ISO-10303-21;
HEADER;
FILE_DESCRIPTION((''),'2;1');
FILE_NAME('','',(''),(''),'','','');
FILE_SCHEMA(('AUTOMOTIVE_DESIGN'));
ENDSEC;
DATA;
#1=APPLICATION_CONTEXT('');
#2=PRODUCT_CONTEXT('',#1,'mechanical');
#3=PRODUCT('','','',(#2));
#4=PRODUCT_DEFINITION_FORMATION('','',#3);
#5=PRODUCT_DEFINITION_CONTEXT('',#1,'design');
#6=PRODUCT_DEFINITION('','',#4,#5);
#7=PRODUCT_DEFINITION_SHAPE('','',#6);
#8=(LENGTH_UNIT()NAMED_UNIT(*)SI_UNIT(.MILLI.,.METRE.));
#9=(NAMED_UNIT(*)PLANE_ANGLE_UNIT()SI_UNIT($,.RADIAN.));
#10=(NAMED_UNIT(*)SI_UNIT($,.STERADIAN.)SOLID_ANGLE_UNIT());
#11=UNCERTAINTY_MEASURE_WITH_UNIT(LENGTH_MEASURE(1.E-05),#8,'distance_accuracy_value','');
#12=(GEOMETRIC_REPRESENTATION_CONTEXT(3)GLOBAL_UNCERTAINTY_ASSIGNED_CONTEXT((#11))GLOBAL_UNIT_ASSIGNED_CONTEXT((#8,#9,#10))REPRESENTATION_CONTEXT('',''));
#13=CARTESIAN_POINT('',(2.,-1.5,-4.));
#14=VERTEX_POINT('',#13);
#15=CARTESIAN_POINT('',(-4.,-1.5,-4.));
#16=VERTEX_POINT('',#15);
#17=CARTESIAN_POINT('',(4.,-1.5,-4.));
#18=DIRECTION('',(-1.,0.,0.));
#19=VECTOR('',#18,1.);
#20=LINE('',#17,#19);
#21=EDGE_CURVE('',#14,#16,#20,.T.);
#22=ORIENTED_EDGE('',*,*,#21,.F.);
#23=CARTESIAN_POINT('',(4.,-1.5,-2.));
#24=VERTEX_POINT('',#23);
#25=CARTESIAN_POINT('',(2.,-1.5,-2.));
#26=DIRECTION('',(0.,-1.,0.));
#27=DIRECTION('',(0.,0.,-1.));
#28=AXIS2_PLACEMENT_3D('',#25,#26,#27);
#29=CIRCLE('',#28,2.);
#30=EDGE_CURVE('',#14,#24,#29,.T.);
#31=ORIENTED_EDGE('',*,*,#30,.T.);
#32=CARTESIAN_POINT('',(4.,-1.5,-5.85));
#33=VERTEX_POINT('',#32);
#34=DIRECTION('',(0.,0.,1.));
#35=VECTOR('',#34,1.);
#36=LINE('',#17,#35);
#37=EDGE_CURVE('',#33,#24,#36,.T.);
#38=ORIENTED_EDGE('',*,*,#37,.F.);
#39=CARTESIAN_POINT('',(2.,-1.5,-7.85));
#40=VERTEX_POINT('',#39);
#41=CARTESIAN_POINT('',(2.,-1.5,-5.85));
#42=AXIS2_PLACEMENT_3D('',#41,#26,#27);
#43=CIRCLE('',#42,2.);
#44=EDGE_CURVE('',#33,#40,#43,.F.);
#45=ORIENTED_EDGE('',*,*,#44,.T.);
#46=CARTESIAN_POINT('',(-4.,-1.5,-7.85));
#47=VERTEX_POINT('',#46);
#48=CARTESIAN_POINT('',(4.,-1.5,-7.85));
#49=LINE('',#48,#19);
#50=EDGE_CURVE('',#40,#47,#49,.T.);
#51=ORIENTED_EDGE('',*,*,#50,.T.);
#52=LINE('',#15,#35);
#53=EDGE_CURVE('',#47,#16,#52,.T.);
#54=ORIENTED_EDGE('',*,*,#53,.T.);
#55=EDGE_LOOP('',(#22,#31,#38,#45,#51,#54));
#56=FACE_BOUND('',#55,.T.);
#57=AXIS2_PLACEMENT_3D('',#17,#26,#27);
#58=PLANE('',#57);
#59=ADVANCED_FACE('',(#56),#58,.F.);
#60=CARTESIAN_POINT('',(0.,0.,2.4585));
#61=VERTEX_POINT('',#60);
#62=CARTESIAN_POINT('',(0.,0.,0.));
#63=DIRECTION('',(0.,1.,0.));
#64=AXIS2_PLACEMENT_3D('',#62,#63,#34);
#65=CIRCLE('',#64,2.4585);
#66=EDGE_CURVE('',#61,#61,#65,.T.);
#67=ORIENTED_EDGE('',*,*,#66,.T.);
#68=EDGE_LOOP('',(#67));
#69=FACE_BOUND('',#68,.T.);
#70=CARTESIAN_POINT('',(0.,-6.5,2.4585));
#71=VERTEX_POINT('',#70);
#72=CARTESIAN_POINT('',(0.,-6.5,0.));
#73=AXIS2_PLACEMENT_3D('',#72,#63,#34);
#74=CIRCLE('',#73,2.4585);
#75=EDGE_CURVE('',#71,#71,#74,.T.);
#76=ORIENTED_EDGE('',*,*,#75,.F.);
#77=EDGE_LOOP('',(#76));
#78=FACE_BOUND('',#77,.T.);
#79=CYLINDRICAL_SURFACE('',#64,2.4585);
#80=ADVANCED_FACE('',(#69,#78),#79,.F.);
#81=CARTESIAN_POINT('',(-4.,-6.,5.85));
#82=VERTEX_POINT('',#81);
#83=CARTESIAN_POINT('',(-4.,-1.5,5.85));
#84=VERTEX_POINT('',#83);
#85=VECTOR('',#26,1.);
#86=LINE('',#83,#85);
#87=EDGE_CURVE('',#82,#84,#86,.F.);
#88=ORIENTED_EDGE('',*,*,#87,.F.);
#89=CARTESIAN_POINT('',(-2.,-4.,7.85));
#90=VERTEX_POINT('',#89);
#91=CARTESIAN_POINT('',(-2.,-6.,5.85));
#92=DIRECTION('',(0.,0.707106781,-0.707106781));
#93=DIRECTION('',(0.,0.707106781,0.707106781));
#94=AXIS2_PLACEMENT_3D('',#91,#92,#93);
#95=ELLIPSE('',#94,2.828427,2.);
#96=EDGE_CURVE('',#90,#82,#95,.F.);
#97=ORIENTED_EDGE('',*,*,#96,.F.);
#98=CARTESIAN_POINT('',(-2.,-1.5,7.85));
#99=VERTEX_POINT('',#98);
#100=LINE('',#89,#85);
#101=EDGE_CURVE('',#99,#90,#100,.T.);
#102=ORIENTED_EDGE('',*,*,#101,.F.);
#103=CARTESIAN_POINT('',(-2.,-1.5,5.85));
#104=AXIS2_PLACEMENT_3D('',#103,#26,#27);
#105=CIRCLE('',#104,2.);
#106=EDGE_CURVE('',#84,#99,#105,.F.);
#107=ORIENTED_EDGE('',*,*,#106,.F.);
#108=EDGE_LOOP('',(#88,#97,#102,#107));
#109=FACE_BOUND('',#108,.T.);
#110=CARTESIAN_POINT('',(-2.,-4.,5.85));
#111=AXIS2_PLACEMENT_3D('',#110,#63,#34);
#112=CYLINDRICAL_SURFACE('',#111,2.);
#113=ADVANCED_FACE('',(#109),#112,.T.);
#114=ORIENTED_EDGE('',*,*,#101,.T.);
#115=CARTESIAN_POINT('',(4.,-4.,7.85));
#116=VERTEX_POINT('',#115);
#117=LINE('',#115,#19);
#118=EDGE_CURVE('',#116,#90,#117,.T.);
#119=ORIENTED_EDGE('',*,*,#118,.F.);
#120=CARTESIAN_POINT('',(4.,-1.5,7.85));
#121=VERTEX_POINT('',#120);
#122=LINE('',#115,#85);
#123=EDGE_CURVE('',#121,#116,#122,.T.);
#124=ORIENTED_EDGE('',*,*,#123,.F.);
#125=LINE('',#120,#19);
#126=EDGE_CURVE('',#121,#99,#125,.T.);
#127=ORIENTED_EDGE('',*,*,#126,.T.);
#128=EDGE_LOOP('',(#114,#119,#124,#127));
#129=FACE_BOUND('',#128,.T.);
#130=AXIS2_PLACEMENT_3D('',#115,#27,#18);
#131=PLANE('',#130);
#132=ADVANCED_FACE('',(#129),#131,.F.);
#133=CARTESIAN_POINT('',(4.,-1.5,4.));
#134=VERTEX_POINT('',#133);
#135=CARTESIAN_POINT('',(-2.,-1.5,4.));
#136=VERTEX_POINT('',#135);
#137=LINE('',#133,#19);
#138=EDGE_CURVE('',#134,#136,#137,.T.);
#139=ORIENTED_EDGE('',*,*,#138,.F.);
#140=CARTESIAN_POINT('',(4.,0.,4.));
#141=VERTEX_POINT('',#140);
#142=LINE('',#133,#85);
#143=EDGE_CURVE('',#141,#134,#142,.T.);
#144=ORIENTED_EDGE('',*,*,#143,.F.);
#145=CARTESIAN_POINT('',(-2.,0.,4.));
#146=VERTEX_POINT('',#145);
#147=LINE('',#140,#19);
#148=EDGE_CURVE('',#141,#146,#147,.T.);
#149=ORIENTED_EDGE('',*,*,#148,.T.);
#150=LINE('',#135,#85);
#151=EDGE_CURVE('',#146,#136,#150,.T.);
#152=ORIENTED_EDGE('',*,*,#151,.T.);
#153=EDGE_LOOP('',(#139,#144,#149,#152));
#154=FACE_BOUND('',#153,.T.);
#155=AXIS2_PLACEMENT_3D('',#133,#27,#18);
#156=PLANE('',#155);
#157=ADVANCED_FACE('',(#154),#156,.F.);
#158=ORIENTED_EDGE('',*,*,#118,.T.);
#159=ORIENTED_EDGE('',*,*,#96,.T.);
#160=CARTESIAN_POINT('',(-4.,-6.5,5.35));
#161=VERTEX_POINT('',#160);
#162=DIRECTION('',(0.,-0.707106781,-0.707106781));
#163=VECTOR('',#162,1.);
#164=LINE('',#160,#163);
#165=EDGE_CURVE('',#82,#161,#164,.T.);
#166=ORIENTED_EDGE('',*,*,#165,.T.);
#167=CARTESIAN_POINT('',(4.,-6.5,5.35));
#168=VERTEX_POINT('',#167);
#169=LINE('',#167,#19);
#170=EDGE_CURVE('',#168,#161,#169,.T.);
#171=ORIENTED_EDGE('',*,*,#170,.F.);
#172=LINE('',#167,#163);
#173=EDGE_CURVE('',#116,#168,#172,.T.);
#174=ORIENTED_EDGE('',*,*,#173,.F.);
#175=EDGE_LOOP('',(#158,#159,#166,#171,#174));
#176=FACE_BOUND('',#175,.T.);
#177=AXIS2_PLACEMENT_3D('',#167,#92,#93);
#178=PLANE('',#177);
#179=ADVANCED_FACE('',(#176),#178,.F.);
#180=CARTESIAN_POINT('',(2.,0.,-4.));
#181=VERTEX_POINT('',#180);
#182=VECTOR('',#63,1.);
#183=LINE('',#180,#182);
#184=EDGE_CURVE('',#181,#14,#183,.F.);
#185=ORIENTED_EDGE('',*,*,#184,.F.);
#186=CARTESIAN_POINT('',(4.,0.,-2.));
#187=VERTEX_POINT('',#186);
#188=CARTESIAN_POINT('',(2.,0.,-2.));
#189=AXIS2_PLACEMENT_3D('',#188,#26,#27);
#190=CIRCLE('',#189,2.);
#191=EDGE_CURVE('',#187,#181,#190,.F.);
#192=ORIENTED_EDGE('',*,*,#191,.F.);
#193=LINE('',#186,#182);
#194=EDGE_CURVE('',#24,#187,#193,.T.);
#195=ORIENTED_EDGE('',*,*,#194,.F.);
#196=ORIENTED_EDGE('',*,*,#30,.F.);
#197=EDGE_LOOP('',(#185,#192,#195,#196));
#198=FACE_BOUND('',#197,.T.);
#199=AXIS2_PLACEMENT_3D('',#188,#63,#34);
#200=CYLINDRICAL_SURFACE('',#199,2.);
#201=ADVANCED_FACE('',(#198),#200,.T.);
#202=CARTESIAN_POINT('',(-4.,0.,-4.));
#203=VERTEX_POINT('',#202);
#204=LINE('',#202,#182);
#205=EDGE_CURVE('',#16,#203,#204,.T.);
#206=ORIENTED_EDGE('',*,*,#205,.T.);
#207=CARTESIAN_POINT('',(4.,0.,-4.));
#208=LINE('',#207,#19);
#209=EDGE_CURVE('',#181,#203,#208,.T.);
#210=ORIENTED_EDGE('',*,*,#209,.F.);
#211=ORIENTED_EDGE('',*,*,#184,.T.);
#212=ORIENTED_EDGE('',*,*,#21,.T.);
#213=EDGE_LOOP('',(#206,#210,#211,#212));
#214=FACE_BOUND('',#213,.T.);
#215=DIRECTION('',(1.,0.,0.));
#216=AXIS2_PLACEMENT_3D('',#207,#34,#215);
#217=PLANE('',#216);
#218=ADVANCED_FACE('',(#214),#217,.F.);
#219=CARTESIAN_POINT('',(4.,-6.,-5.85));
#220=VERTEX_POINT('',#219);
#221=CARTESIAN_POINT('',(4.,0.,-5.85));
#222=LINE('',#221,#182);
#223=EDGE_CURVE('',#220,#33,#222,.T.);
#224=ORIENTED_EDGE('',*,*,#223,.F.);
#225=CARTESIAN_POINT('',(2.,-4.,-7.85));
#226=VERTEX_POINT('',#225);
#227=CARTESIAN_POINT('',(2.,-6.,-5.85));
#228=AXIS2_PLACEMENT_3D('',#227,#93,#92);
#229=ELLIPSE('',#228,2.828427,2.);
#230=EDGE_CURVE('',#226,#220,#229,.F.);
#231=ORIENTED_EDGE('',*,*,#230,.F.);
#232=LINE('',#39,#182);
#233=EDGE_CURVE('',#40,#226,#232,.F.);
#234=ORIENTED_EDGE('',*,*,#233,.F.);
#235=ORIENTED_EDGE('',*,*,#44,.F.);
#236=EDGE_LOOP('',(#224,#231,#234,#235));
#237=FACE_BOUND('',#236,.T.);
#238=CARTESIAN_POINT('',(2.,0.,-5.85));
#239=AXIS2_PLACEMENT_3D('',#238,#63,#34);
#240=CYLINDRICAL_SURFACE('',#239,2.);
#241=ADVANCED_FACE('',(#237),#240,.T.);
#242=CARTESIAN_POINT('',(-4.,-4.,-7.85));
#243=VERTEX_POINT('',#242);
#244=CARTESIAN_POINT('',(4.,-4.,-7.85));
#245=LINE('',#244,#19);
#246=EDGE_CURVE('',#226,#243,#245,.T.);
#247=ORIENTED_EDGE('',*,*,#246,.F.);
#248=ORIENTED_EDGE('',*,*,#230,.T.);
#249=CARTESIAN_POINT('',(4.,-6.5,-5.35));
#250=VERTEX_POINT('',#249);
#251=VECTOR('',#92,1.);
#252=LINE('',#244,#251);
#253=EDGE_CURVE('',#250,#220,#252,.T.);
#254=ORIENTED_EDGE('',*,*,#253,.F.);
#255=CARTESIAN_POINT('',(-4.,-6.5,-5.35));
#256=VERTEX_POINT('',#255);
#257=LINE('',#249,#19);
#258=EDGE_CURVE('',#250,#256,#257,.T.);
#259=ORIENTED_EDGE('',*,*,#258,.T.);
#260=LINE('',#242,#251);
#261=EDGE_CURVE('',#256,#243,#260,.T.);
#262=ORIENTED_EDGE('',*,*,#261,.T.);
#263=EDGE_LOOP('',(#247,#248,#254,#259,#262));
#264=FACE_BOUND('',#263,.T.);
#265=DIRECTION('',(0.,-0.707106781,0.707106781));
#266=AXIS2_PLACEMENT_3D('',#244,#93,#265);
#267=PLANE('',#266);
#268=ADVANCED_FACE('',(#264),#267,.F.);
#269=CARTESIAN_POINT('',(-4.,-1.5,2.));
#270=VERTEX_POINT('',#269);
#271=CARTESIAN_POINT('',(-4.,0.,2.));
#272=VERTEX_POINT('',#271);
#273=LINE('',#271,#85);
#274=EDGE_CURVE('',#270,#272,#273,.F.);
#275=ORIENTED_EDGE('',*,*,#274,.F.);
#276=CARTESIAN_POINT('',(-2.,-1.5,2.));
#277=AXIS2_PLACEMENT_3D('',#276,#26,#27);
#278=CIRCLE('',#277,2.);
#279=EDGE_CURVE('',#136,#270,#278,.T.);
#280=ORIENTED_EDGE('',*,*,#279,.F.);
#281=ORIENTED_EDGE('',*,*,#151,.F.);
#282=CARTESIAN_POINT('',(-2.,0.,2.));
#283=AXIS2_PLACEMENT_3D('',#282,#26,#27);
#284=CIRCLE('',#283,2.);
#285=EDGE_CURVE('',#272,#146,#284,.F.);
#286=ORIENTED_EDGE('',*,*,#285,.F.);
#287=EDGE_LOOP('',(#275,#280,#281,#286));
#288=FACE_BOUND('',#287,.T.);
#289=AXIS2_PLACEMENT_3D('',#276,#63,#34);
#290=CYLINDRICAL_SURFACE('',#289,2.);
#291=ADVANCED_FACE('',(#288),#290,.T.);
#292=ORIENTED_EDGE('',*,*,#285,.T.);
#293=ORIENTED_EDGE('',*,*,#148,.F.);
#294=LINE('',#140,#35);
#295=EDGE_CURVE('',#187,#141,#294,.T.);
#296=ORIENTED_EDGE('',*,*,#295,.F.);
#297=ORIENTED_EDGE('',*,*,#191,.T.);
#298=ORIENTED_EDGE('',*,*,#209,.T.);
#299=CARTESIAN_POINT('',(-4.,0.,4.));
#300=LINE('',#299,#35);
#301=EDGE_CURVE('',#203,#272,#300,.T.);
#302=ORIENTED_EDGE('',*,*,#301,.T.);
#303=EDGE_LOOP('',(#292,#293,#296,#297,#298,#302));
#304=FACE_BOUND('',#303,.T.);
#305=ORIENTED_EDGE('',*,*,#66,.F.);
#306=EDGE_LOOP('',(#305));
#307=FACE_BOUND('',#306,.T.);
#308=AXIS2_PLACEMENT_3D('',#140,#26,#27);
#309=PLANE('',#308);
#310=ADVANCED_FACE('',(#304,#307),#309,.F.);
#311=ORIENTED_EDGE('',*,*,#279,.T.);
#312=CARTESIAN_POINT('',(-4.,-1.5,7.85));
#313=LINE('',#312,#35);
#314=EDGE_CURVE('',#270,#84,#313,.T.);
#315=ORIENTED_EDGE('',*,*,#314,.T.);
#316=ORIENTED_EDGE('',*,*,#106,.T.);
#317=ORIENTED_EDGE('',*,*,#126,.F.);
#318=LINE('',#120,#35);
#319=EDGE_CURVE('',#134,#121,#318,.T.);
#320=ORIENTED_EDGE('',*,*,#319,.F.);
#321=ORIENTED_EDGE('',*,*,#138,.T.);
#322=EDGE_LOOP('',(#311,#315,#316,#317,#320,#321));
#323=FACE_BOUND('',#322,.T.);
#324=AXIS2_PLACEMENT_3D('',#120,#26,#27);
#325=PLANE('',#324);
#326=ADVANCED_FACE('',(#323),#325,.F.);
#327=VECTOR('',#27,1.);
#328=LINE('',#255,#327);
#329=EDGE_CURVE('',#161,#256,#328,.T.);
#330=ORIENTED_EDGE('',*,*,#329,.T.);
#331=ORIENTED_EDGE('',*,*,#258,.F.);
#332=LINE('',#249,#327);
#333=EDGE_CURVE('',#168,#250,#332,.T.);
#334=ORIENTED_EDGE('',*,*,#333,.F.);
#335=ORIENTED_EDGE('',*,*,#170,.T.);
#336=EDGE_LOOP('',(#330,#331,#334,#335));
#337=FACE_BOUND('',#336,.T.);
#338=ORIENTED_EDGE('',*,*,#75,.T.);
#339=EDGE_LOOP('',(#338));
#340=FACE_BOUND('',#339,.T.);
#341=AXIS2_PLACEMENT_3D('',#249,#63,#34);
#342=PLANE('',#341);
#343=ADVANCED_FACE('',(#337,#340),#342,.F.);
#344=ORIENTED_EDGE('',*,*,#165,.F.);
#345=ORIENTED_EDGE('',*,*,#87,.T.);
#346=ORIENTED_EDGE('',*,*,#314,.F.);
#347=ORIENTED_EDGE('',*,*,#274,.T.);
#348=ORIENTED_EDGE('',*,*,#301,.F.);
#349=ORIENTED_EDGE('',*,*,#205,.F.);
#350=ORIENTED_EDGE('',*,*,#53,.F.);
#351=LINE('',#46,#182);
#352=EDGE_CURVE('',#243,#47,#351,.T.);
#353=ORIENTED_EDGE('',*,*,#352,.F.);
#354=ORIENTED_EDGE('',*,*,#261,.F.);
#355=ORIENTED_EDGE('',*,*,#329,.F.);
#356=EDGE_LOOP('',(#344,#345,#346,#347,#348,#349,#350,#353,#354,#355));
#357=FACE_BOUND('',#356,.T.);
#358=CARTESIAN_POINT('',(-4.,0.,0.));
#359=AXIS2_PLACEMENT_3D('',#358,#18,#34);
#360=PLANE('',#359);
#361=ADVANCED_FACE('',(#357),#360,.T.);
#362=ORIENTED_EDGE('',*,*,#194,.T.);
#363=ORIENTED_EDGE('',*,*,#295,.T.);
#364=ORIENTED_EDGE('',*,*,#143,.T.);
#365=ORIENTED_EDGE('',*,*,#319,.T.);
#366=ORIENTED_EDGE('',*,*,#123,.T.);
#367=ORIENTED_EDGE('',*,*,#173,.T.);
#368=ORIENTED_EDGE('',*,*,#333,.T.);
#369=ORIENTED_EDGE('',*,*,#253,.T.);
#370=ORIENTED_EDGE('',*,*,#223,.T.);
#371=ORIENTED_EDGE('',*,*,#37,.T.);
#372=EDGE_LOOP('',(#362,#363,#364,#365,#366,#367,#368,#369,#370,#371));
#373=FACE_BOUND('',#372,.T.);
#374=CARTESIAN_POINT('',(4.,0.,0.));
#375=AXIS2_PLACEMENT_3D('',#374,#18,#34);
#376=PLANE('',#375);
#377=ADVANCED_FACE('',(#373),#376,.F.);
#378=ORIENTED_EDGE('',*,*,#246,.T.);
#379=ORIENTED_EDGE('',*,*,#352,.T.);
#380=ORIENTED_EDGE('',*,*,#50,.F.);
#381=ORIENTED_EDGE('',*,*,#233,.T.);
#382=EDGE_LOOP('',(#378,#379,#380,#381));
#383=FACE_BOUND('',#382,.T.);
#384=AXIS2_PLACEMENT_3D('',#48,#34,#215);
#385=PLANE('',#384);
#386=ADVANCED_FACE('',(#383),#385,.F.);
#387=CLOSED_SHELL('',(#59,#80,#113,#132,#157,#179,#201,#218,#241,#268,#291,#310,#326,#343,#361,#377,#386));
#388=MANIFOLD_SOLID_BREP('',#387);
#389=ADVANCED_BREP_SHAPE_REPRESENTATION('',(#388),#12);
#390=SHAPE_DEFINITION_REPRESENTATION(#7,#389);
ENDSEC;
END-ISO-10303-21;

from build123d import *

# Parameters (mm, degrees)
BOSS_EXTRUDE1_DEPTH = 4
FILLET1_R           = 2
TAP1_D              = 4.917


with BuildPart() as part:
    # Sketch1 → Boss-Extrude1 (new, symmetric)
    with BuildSketch(Plane(origin=(0, 0, 0), x_dir=(0, 0, -1), z_dir=(1, 0, 0))):
        Polygon((-4, 0), (4, 0), (4, -1.5), (7.85, -1.5), (7.85, -4), (5.35, -6.5), (-5.35, -6.5), (-7.85, -4), (-7.85, -1.5), (-4, -1.5), align=None)
    extrude(amount=BOSS_EXTRUDE1_DEPTH, both=True)

    # Fillet1
    fillet1_edges = [part.edges().sort_by_distance(p)[0] for p in [
        (-4, -2.75, 7.85),
        (-4, -0.75, 4),
        (4, -2.75, -7.85),
        (4, -0.75, -4),
    ]]
    fillet(fillet1_edges, radius=FILLET1_R)

    # Tap1 (through all)
    with Locations(Plane(origin=(0, 0, 0), x_dir=(1, 0, 0), z_dir=(0, 1, 0))):
        with Locations((0, 0)):
            Hole(TAP1_D / 2)


solid = part.part
